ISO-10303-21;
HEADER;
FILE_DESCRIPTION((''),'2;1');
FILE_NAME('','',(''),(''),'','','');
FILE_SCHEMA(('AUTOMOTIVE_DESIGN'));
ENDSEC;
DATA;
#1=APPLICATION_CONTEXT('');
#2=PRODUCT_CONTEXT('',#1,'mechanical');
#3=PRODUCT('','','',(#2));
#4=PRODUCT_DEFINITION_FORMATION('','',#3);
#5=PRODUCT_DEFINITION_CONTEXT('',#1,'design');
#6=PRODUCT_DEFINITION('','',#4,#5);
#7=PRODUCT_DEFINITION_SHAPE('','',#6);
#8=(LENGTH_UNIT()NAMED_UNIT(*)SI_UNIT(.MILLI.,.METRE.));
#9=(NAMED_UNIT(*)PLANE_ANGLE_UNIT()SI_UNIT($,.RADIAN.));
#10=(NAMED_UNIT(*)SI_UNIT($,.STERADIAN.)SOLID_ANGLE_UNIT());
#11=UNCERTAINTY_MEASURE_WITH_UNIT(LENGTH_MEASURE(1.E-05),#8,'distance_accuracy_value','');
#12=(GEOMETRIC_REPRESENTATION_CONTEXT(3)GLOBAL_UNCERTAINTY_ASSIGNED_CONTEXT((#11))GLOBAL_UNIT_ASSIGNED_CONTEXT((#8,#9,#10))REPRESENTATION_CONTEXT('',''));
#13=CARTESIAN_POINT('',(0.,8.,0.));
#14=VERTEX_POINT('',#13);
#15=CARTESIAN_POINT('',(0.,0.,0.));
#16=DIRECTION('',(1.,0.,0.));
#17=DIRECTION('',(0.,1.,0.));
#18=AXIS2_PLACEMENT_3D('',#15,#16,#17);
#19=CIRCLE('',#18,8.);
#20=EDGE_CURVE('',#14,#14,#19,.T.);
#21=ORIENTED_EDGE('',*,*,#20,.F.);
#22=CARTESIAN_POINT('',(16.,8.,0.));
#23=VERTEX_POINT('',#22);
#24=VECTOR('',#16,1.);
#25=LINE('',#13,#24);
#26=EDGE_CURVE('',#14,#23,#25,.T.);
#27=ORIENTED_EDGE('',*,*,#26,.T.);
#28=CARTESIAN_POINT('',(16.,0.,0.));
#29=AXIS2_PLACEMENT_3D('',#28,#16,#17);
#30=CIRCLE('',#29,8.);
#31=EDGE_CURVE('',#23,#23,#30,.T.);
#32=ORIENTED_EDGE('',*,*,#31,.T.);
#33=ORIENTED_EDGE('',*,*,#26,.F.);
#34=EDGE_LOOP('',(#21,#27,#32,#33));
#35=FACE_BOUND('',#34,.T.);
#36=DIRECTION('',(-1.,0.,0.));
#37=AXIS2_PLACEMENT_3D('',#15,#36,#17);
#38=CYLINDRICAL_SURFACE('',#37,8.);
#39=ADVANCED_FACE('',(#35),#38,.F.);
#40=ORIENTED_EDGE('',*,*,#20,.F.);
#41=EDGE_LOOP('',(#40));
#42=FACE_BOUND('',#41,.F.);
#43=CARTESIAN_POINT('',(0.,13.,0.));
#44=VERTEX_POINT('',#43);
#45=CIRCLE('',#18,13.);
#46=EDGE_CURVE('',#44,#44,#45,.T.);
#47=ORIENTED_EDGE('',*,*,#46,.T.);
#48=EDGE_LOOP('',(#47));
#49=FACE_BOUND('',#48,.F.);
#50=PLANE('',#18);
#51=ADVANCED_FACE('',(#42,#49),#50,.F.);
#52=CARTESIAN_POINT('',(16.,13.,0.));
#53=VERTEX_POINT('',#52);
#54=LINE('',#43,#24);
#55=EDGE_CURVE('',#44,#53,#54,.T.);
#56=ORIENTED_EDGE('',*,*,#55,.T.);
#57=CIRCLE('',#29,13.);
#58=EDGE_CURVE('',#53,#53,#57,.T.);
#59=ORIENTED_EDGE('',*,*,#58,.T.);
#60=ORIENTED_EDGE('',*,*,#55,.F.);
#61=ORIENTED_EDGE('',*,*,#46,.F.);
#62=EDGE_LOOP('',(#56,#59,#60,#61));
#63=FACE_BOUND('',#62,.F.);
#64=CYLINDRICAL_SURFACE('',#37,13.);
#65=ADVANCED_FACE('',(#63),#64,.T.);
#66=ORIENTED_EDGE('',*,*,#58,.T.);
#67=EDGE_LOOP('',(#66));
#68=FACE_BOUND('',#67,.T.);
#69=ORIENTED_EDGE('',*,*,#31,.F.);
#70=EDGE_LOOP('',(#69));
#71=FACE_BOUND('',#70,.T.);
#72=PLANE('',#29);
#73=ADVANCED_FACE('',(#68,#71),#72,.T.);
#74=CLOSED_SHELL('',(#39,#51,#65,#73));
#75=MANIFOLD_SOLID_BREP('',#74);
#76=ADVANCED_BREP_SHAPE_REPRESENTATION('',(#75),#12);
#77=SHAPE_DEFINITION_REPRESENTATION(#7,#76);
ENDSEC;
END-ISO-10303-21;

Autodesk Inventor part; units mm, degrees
ref_plane "YZ Plane" through (0, 0, 0) normal (1, 0, 0) x (0, 1, 0)
ref_plane "XZ Plane" through (0, 0, 0) normal (0, 1, 0) x (-1, 0, 0)
ref_plane "XY Plane" through (0, 0, 0) normal (0, 0, 1) x (1, 0, 0)
sketch "Sketch1" plane through (0, 0, 0) normal (1, 0, 0) x (0, 1, 0)
  circle A0 centre (0, 0) radius 8
  circle A1 centre (0, 0) radius 13
  dimension "d0" = 16
  dimension "d1" = 26
extrude "Extrusion1" add sketch "Sketch1" along normal blind 16
properties part number "bushiing"
